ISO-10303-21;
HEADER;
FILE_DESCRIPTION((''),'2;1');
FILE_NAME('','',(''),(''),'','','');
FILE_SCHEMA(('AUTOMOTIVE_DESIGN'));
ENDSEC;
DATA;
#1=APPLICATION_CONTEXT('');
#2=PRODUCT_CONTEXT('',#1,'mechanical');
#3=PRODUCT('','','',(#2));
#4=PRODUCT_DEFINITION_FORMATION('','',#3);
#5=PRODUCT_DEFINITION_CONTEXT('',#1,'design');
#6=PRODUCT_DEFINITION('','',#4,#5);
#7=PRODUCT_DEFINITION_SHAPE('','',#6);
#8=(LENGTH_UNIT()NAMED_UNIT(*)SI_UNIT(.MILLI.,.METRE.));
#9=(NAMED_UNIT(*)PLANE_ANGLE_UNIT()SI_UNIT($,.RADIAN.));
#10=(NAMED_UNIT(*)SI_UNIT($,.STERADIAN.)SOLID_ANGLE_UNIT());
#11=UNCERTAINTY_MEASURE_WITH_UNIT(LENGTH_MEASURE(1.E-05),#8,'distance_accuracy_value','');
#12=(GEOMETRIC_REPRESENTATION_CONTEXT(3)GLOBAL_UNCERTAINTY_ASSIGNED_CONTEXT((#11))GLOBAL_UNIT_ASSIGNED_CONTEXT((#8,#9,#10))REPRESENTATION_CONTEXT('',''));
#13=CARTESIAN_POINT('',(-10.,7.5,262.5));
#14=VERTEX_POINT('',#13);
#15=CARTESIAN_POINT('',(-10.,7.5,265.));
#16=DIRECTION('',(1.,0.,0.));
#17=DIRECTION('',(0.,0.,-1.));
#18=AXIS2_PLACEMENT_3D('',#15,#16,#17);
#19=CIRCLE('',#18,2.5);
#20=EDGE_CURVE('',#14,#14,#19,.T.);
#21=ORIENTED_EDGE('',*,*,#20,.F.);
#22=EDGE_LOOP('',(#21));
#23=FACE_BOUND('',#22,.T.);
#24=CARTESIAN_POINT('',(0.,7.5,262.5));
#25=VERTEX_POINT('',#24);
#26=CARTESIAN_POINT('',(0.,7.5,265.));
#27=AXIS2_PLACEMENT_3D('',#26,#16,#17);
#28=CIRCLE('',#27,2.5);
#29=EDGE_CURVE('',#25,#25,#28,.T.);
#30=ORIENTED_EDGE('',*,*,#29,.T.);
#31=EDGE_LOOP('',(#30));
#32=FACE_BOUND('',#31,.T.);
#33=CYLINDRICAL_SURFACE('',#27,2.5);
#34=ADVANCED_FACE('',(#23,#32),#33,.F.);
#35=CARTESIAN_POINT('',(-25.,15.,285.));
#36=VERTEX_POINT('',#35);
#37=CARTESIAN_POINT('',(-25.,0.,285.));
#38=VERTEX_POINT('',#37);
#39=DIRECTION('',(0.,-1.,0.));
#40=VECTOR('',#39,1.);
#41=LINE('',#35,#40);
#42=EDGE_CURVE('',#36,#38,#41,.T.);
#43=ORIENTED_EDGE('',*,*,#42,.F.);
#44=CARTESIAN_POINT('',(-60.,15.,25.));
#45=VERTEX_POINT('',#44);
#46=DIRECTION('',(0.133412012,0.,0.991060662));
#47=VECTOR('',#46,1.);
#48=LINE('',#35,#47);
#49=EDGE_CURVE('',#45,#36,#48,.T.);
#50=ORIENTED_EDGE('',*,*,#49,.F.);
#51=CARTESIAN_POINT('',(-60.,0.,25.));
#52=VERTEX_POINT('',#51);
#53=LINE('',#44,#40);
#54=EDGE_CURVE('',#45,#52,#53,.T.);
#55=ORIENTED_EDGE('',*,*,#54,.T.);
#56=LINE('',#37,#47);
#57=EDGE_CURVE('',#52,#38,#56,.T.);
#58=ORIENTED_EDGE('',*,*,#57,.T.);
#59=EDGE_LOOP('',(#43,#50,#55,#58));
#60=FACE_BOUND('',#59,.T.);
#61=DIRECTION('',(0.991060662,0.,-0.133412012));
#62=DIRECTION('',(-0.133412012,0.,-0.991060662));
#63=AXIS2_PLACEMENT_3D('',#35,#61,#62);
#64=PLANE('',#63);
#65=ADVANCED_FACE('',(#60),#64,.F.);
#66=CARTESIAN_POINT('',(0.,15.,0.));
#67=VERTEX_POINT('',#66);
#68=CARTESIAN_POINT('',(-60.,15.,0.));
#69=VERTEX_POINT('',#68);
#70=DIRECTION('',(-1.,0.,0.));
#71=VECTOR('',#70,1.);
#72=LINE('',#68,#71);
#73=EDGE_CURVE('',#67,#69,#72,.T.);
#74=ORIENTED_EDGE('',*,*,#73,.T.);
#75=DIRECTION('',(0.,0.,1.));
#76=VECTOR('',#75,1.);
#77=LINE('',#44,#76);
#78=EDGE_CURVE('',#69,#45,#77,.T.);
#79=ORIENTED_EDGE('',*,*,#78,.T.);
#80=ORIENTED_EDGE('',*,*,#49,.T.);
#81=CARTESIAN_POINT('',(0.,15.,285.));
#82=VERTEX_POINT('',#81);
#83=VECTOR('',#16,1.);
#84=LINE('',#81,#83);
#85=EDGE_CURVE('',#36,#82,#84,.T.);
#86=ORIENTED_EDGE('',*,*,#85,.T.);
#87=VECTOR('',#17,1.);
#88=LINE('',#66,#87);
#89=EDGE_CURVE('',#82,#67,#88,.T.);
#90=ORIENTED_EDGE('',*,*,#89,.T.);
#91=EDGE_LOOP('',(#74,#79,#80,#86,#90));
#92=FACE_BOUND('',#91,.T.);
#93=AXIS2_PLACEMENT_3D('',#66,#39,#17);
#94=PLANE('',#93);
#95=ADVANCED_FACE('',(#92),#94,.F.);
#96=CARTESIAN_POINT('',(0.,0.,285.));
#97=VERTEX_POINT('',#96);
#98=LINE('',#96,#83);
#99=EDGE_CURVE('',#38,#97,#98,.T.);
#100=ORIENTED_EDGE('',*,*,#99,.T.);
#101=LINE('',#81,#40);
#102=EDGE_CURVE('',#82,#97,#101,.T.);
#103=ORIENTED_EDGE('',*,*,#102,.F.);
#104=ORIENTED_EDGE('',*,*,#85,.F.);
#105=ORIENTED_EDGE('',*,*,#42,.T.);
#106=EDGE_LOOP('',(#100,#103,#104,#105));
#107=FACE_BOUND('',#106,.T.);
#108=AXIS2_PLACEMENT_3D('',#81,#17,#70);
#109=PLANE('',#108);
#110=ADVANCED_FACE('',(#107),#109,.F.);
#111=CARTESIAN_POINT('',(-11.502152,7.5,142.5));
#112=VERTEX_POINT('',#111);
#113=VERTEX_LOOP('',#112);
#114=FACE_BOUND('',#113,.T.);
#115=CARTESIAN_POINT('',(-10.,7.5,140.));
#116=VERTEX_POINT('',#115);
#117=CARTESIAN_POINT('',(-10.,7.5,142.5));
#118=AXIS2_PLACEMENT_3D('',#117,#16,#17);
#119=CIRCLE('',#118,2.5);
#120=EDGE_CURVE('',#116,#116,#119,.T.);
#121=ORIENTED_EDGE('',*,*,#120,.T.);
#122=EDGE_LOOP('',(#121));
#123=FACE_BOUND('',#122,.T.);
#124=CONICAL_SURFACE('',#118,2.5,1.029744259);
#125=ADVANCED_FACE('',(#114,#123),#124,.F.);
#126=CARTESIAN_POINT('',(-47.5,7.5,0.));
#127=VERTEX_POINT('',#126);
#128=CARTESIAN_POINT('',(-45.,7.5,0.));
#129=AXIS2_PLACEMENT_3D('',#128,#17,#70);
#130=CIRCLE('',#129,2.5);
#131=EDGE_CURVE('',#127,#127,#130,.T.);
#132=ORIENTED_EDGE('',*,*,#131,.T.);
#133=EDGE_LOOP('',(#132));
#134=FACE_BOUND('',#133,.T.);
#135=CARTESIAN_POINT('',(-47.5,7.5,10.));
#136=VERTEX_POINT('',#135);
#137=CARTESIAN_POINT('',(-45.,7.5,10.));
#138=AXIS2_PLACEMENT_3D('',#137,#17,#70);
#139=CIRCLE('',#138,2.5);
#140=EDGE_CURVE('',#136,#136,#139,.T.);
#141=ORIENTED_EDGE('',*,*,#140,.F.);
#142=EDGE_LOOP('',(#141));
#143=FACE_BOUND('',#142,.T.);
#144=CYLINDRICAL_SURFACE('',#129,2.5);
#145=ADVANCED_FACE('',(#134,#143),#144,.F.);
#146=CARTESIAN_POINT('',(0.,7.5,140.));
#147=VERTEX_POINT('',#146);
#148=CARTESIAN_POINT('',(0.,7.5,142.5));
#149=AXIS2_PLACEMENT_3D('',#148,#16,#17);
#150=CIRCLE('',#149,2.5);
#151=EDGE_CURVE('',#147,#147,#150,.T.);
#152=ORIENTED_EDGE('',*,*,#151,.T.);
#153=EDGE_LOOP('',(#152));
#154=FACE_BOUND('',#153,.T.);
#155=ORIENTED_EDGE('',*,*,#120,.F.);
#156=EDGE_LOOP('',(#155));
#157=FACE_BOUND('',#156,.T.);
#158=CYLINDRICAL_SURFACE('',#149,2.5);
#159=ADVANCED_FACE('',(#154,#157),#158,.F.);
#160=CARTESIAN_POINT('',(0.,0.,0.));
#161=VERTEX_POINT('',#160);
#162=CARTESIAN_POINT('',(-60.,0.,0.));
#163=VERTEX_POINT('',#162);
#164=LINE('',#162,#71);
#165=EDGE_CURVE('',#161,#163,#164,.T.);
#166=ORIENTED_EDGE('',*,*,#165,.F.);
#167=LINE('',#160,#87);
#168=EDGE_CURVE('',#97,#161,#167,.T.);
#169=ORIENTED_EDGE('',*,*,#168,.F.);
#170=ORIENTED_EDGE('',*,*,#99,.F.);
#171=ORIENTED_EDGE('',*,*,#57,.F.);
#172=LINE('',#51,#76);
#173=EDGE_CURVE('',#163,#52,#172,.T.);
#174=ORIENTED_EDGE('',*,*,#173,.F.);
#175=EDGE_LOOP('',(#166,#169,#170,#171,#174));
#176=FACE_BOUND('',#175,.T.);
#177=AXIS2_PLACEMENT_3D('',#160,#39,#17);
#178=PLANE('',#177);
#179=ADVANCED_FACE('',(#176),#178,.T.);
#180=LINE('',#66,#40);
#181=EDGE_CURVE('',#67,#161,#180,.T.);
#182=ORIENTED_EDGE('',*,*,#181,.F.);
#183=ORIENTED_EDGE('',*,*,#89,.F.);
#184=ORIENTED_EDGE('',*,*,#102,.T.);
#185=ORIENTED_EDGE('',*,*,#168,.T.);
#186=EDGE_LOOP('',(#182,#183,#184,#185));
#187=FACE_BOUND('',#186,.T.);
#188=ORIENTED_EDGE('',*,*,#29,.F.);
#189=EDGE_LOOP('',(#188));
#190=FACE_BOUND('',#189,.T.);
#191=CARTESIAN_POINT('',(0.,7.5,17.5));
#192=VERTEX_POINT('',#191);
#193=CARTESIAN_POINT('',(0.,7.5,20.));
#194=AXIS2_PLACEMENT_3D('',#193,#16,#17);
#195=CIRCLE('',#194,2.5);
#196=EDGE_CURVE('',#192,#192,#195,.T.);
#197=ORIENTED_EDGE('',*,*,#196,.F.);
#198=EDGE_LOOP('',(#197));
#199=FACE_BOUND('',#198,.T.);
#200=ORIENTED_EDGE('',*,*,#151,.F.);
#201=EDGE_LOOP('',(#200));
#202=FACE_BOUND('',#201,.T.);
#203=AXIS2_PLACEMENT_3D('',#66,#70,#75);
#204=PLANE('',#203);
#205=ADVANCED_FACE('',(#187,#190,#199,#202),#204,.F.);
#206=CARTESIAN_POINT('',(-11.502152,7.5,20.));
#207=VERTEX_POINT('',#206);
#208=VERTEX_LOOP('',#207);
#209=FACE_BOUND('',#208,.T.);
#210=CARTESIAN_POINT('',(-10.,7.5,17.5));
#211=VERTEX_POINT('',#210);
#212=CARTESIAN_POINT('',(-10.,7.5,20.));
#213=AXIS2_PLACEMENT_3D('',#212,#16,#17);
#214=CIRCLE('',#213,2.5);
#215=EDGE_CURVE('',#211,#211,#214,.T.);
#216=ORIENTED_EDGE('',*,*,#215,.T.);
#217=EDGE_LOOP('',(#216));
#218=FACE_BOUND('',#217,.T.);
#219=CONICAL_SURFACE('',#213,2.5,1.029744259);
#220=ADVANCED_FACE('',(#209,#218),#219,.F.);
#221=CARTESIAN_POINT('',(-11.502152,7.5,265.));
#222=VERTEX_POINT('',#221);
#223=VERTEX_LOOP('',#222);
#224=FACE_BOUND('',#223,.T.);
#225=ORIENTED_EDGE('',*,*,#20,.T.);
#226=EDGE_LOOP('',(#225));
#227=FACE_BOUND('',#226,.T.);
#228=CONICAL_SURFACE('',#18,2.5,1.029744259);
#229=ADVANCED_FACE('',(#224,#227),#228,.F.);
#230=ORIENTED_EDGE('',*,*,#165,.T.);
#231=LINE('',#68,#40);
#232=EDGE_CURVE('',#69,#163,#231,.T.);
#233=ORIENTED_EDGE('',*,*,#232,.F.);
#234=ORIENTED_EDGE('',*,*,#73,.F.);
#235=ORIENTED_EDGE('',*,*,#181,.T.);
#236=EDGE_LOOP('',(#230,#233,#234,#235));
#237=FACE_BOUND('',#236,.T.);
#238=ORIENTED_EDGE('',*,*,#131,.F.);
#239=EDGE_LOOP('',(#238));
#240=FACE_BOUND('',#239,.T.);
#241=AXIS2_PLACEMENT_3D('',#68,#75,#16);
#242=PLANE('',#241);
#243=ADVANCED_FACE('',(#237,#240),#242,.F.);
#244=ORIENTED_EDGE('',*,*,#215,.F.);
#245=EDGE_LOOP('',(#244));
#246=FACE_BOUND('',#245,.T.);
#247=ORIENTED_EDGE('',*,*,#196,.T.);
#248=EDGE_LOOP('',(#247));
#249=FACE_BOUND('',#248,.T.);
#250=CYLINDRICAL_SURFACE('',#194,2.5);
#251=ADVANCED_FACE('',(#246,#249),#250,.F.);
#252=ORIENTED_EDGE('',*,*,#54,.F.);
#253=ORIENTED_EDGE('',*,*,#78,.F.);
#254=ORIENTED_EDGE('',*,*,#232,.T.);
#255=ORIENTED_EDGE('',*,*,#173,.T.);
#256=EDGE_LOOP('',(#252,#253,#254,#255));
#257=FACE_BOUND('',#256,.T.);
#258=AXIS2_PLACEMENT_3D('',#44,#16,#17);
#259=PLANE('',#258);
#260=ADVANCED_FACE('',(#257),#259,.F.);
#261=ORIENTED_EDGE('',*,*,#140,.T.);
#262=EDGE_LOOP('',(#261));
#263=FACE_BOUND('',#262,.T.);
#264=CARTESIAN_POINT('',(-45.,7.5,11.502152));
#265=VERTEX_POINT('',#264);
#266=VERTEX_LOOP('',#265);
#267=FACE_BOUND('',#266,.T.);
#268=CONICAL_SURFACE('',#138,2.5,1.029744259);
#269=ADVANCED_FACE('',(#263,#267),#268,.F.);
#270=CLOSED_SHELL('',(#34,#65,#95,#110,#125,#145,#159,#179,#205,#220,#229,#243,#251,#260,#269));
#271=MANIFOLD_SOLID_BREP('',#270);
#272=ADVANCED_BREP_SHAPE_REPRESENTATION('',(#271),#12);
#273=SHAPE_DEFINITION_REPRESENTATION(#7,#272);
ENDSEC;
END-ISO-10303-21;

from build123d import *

# Parameters (mm, degrees)
BOSS_EXTRUDE1_DEPTH   = 15
M6_TAPPED_HOLE1_D     = 5
M6_TAPPED_HOLE1_DEPTH = 10
M6_TAPPED_HOLE1_TIP   = 1.502151548
M6_TAPPED_HOLE2_D     = 5
M6_TAPPED_HOLE2_DEPTH = 10
M6_TAPPED_HOLE2_TIP   = 1.502151548


with BuildPart() as part:
    # Sketch1 → Boss-Extrude1 (new body)
    with BuildSketch(Plane(origin=(0, 0, 0), x_dir=(1, 0, 0), z_dir=(0, 1, 0))):
        Polygon((0, 0), (0, -285), (-25, -285), (-60, -25), (-60, 0), align=None)
    extrude(amount=BOSS_EXTRUDE1_DEPTH)

    # M6 Tapped Hole1
    with Locations(Plane(origin=(0, 0, 0), x_dir=(-1, 0, 0), z_dir=(0, 0, -1))):
        with Locations((45, 7.5)):
            Hole(M6_TAPPED_HOLE1_D / 2, depth=M6_TAPPED_HOLE1_DEPTH)
            with Locations((0, 0, -(M6_TAPPED_HOLE1_DEPTH + M6_TAPPED_HOLE1_TIP / 2))):  # 118° drill point
                Cone(0, M6_TAPPED_HOLE1_D / 2, M6_TAPPED_HOLE1_TIP, mode=Mode.SUBTRACT)

    # M6 Tapped Hole2
    with Locations(Plane(origin=(0, 0, 0), x_dir=(0, 0, -1), z_dir=(1, 0, 0))):
        with Locations((-265, 7.5), (-142.5, 7.5), (-20, 7.5)):
            Hole(M6_TAPPED_HOLE2_D / 2, depth=M6_TAPPED_HOLE2_DEPTH)
            with Locations((0, 0, -(M6_TAPPED_HOLE2_DEPTH + M6_TAPPED_HOLE2_TIP / 2))):  # 118° drill point
                Cone(0, M6_TAPPED_HOLE2_D / 2, M6_TAPPED_HOLE2_TIP, mode=Mode.SUBTRACT)


solid = part.part
